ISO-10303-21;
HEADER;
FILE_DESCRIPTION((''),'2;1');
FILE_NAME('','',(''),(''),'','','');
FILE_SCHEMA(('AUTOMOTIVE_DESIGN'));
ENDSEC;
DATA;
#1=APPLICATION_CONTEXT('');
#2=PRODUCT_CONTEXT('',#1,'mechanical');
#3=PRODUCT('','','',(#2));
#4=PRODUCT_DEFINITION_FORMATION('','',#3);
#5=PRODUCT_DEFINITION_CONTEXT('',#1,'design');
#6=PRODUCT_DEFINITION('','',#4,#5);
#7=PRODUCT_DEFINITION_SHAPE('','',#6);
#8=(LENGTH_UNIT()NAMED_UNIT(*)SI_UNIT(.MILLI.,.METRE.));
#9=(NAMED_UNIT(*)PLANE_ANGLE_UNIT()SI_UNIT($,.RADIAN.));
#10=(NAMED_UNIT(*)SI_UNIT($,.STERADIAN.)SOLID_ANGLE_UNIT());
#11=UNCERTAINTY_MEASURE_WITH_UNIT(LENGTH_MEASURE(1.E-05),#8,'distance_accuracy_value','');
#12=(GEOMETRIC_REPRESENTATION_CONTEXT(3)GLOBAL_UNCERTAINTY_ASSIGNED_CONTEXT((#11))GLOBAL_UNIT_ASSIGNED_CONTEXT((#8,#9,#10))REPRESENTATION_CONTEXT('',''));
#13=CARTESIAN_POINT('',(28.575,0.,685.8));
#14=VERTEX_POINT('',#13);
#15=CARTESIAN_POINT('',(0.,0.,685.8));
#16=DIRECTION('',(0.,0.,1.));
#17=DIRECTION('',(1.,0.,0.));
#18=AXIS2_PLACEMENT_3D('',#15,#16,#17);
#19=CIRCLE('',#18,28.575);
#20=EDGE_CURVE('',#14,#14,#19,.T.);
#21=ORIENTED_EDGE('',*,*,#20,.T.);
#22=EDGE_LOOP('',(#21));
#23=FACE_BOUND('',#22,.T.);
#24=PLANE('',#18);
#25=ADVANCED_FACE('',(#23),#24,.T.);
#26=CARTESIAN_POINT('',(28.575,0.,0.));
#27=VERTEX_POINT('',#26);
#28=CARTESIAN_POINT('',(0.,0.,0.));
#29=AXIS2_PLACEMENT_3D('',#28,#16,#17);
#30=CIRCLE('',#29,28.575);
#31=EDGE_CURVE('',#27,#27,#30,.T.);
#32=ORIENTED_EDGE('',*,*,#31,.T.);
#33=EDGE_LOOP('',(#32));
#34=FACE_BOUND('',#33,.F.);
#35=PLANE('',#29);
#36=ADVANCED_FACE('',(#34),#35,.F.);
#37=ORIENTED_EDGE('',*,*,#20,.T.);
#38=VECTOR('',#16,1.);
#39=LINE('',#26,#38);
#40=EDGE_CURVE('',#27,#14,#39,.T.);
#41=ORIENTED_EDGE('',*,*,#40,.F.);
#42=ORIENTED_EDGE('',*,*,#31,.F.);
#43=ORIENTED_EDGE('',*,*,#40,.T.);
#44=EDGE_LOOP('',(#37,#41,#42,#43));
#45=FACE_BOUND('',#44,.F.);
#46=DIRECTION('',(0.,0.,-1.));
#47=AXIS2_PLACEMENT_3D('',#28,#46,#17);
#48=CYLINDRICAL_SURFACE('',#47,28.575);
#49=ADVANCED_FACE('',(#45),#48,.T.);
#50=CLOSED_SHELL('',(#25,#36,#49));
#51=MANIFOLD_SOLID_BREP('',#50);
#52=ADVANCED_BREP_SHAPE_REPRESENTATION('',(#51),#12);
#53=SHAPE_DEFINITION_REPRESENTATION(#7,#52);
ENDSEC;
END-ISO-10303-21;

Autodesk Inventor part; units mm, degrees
ref_plane "YZ Plane" through (0, 0, 0) normal (1, 0, 0) x (0, 1, 0)
ref_plane "XZ Plane" through (0, 0, 0) normal (0, 1, 0) x (-1, 0, 0)
ref_plane "XY Plane" through (0, 0, 0) normal (0, 0, 1) x (1, 0, 0)
sketch "Sketch1" plane through (0, 0, 0) normal (0, 0, 1) x (1, 0, 0)
  circle A0 centre (0, 0) radius 28.575
  dimension "d0" = 57.15
extrude "Extrusion1" add sketch "Sketch1" along normal blind 685.8
properties part number "driveshaft_r"
